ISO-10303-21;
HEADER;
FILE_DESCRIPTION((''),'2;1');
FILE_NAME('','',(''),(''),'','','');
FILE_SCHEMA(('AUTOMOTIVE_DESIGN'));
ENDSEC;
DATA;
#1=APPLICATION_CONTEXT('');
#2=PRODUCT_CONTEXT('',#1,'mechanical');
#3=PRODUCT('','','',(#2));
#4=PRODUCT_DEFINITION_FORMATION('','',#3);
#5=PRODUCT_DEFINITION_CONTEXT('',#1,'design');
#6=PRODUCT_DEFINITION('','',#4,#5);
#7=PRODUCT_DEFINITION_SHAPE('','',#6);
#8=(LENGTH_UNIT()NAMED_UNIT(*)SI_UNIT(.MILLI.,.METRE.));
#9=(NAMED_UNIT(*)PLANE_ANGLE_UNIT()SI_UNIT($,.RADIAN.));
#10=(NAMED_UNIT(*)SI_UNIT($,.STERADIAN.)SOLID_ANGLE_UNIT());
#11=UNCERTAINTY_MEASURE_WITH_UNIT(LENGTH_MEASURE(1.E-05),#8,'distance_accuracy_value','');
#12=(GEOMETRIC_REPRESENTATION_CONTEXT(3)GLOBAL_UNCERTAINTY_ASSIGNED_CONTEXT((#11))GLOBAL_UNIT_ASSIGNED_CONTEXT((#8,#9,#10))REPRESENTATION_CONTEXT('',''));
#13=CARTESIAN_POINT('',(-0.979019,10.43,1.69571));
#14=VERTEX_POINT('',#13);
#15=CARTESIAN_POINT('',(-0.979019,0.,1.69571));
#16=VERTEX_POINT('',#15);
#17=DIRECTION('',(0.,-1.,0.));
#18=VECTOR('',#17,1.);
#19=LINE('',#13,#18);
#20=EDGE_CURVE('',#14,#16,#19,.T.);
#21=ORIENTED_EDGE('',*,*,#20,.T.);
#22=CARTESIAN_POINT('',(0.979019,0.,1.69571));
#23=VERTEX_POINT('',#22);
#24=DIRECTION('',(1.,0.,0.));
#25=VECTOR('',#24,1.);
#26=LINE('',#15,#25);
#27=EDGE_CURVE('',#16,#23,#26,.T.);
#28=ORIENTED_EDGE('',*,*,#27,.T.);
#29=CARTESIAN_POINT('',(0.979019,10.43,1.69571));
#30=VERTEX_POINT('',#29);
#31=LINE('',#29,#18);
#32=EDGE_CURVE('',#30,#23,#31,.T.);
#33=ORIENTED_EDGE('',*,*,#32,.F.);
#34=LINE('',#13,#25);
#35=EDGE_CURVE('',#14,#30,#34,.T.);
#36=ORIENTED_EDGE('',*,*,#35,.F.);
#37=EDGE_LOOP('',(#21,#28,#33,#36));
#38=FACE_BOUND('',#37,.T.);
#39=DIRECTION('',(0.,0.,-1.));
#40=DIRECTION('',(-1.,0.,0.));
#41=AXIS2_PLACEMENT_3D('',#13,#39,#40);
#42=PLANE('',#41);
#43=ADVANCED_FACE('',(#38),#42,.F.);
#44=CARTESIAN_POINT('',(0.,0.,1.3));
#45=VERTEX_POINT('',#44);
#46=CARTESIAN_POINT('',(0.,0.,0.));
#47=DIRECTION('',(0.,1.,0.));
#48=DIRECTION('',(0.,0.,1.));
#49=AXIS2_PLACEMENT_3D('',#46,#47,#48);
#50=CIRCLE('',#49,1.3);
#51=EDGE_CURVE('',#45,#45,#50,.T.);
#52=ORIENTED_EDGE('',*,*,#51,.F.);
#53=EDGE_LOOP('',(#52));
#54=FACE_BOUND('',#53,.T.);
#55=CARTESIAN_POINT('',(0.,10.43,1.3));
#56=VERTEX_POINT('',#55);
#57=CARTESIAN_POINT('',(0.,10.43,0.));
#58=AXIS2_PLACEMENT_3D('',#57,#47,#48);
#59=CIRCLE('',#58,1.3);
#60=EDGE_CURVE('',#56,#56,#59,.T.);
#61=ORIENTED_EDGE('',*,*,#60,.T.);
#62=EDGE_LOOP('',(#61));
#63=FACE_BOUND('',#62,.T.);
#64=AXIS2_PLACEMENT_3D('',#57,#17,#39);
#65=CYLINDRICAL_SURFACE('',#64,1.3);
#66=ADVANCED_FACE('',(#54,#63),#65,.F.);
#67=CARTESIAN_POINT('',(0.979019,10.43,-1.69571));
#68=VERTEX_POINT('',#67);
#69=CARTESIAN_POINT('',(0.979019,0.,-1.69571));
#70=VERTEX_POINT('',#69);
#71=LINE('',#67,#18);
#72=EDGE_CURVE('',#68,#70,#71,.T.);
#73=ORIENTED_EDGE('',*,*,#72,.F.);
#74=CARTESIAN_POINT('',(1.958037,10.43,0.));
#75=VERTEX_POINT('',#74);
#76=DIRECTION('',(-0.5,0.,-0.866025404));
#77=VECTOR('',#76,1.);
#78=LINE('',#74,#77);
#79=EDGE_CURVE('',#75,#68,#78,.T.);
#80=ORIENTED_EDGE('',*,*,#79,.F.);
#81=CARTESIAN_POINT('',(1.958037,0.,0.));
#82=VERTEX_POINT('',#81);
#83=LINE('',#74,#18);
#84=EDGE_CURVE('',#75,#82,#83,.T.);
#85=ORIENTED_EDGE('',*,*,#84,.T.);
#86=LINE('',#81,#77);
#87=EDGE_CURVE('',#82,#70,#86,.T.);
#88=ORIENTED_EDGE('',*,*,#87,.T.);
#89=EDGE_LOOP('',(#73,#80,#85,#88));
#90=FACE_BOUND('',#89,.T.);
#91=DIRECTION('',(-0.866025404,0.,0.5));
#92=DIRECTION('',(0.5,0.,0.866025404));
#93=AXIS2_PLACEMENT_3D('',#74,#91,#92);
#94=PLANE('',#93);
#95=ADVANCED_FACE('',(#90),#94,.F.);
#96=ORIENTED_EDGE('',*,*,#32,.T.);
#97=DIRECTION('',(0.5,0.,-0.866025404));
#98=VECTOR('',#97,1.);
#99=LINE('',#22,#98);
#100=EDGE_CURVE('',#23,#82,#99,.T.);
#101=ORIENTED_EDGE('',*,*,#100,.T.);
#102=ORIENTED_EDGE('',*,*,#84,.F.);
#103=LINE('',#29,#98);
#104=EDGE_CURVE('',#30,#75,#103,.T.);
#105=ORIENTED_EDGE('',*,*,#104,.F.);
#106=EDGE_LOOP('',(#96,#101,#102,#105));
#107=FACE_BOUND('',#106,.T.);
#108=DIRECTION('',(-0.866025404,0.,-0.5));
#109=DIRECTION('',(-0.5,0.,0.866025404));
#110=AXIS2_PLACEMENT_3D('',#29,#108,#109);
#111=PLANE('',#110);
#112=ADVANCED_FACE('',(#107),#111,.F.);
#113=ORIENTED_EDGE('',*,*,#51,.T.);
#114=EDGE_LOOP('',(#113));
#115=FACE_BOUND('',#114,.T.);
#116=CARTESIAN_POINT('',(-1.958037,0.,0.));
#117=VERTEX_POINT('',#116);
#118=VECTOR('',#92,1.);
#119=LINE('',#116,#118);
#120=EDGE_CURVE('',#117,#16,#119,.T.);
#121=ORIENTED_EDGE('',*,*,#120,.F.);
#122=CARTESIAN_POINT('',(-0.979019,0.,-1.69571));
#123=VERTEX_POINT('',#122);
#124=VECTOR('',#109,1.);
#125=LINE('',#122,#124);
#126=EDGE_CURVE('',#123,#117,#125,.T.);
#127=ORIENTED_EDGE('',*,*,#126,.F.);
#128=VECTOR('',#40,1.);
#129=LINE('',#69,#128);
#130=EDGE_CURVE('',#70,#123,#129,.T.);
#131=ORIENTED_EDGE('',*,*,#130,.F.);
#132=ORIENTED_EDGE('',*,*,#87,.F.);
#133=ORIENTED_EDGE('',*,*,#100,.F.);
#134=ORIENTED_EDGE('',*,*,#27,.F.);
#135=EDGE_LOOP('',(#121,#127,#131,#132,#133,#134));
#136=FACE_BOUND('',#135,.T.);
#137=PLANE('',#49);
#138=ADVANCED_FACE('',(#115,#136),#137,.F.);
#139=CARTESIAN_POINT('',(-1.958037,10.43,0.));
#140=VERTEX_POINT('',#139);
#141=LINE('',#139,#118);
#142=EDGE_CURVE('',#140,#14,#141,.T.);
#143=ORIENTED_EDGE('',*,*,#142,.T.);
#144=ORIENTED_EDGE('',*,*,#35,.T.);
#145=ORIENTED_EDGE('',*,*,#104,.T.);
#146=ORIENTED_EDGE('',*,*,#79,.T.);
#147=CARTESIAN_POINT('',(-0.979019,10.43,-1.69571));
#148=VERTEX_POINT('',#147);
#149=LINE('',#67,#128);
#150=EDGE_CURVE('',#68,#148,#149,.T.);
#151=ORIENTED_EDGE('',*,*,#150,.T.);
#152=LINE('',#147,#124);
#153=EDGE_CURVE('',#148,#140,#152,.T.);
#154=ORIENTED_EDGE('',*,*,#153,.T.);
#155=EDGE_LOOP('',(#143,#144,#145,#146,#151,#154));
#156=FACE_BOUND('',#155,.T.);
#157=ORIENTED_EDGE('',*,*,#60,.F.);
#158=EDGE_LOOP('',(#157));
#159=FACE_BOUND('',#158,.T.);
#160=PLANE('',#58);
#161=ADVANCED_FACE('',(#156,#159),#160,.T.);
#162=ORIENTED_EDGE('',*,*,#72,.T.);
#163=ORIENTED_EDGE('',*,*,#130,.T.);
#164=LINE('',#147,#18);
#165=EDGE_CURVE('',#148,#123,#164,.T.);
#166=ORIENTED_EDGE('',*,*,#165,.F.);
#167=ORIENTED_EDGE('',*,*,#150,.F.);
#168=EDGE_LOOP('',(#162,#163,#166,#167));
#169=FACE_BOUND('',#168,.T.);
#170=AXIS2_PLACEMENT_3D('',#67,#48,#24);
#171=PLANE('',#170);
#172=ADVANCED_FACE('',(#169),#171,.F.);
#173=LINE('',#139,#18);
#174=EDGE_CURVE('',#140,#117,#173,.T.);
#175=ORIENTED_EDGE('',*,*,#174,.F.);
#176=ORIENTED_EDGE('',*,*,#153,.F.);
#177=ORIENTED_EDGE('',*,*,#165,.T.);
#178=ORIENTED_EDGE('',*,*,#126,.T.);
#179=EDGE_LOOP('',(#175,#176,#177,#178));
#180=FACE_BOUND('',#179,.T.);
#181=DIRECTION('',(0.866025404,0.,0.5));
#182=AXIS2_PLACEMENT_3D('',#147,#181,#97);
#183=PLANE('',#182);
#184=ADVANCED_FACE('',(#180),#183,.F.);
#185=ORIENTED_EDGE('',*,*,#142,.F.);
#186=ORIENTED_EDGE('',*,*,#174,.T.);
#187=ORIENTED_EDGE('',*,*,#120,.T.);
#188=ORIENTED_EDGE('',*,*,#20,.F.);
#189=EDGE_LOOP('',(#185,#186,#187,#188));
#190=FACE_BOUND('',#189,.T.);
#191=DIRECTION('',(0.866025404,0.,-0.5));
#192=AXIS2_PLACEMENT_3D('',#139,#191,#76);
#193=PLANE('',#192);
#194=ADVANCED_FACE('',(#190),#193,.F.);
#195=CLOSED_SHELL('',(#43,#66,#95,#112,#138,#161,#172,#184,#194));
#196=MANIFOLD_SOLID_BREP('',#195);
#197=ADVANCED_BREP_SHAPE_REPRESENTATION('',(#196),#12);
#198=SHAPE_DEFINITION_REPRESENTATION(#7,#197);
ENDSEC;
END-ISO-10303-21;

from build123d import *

# Parameters (mm, degrees)
SKETCH1_R           = 1.3
BOSS_EXTRUDE1_DEPTH = 10.43


with BuildPart() as part:
    # Sketch1 → Boss-Extrude1 (new body)
    with BuildSketch(Plane(origin=(0, 0, 0), x_dir=(1, 0, 0), z_dir=(0, 1, 0))):
        Polygon((0.979018569, -1.695709904), (1.958037139, 0), (0.979018569, 1.695709904), (-0.979018569, 1.695709904), (-1.958037139, 0), (-0.979018569, -1.695709904), align=None)
        Circle(SKETCH1_R, mode=Mode.SUBTRACT)
    extrude(amount=BOSS_EXTRUDE1_DEPTH)


solid = part.part
